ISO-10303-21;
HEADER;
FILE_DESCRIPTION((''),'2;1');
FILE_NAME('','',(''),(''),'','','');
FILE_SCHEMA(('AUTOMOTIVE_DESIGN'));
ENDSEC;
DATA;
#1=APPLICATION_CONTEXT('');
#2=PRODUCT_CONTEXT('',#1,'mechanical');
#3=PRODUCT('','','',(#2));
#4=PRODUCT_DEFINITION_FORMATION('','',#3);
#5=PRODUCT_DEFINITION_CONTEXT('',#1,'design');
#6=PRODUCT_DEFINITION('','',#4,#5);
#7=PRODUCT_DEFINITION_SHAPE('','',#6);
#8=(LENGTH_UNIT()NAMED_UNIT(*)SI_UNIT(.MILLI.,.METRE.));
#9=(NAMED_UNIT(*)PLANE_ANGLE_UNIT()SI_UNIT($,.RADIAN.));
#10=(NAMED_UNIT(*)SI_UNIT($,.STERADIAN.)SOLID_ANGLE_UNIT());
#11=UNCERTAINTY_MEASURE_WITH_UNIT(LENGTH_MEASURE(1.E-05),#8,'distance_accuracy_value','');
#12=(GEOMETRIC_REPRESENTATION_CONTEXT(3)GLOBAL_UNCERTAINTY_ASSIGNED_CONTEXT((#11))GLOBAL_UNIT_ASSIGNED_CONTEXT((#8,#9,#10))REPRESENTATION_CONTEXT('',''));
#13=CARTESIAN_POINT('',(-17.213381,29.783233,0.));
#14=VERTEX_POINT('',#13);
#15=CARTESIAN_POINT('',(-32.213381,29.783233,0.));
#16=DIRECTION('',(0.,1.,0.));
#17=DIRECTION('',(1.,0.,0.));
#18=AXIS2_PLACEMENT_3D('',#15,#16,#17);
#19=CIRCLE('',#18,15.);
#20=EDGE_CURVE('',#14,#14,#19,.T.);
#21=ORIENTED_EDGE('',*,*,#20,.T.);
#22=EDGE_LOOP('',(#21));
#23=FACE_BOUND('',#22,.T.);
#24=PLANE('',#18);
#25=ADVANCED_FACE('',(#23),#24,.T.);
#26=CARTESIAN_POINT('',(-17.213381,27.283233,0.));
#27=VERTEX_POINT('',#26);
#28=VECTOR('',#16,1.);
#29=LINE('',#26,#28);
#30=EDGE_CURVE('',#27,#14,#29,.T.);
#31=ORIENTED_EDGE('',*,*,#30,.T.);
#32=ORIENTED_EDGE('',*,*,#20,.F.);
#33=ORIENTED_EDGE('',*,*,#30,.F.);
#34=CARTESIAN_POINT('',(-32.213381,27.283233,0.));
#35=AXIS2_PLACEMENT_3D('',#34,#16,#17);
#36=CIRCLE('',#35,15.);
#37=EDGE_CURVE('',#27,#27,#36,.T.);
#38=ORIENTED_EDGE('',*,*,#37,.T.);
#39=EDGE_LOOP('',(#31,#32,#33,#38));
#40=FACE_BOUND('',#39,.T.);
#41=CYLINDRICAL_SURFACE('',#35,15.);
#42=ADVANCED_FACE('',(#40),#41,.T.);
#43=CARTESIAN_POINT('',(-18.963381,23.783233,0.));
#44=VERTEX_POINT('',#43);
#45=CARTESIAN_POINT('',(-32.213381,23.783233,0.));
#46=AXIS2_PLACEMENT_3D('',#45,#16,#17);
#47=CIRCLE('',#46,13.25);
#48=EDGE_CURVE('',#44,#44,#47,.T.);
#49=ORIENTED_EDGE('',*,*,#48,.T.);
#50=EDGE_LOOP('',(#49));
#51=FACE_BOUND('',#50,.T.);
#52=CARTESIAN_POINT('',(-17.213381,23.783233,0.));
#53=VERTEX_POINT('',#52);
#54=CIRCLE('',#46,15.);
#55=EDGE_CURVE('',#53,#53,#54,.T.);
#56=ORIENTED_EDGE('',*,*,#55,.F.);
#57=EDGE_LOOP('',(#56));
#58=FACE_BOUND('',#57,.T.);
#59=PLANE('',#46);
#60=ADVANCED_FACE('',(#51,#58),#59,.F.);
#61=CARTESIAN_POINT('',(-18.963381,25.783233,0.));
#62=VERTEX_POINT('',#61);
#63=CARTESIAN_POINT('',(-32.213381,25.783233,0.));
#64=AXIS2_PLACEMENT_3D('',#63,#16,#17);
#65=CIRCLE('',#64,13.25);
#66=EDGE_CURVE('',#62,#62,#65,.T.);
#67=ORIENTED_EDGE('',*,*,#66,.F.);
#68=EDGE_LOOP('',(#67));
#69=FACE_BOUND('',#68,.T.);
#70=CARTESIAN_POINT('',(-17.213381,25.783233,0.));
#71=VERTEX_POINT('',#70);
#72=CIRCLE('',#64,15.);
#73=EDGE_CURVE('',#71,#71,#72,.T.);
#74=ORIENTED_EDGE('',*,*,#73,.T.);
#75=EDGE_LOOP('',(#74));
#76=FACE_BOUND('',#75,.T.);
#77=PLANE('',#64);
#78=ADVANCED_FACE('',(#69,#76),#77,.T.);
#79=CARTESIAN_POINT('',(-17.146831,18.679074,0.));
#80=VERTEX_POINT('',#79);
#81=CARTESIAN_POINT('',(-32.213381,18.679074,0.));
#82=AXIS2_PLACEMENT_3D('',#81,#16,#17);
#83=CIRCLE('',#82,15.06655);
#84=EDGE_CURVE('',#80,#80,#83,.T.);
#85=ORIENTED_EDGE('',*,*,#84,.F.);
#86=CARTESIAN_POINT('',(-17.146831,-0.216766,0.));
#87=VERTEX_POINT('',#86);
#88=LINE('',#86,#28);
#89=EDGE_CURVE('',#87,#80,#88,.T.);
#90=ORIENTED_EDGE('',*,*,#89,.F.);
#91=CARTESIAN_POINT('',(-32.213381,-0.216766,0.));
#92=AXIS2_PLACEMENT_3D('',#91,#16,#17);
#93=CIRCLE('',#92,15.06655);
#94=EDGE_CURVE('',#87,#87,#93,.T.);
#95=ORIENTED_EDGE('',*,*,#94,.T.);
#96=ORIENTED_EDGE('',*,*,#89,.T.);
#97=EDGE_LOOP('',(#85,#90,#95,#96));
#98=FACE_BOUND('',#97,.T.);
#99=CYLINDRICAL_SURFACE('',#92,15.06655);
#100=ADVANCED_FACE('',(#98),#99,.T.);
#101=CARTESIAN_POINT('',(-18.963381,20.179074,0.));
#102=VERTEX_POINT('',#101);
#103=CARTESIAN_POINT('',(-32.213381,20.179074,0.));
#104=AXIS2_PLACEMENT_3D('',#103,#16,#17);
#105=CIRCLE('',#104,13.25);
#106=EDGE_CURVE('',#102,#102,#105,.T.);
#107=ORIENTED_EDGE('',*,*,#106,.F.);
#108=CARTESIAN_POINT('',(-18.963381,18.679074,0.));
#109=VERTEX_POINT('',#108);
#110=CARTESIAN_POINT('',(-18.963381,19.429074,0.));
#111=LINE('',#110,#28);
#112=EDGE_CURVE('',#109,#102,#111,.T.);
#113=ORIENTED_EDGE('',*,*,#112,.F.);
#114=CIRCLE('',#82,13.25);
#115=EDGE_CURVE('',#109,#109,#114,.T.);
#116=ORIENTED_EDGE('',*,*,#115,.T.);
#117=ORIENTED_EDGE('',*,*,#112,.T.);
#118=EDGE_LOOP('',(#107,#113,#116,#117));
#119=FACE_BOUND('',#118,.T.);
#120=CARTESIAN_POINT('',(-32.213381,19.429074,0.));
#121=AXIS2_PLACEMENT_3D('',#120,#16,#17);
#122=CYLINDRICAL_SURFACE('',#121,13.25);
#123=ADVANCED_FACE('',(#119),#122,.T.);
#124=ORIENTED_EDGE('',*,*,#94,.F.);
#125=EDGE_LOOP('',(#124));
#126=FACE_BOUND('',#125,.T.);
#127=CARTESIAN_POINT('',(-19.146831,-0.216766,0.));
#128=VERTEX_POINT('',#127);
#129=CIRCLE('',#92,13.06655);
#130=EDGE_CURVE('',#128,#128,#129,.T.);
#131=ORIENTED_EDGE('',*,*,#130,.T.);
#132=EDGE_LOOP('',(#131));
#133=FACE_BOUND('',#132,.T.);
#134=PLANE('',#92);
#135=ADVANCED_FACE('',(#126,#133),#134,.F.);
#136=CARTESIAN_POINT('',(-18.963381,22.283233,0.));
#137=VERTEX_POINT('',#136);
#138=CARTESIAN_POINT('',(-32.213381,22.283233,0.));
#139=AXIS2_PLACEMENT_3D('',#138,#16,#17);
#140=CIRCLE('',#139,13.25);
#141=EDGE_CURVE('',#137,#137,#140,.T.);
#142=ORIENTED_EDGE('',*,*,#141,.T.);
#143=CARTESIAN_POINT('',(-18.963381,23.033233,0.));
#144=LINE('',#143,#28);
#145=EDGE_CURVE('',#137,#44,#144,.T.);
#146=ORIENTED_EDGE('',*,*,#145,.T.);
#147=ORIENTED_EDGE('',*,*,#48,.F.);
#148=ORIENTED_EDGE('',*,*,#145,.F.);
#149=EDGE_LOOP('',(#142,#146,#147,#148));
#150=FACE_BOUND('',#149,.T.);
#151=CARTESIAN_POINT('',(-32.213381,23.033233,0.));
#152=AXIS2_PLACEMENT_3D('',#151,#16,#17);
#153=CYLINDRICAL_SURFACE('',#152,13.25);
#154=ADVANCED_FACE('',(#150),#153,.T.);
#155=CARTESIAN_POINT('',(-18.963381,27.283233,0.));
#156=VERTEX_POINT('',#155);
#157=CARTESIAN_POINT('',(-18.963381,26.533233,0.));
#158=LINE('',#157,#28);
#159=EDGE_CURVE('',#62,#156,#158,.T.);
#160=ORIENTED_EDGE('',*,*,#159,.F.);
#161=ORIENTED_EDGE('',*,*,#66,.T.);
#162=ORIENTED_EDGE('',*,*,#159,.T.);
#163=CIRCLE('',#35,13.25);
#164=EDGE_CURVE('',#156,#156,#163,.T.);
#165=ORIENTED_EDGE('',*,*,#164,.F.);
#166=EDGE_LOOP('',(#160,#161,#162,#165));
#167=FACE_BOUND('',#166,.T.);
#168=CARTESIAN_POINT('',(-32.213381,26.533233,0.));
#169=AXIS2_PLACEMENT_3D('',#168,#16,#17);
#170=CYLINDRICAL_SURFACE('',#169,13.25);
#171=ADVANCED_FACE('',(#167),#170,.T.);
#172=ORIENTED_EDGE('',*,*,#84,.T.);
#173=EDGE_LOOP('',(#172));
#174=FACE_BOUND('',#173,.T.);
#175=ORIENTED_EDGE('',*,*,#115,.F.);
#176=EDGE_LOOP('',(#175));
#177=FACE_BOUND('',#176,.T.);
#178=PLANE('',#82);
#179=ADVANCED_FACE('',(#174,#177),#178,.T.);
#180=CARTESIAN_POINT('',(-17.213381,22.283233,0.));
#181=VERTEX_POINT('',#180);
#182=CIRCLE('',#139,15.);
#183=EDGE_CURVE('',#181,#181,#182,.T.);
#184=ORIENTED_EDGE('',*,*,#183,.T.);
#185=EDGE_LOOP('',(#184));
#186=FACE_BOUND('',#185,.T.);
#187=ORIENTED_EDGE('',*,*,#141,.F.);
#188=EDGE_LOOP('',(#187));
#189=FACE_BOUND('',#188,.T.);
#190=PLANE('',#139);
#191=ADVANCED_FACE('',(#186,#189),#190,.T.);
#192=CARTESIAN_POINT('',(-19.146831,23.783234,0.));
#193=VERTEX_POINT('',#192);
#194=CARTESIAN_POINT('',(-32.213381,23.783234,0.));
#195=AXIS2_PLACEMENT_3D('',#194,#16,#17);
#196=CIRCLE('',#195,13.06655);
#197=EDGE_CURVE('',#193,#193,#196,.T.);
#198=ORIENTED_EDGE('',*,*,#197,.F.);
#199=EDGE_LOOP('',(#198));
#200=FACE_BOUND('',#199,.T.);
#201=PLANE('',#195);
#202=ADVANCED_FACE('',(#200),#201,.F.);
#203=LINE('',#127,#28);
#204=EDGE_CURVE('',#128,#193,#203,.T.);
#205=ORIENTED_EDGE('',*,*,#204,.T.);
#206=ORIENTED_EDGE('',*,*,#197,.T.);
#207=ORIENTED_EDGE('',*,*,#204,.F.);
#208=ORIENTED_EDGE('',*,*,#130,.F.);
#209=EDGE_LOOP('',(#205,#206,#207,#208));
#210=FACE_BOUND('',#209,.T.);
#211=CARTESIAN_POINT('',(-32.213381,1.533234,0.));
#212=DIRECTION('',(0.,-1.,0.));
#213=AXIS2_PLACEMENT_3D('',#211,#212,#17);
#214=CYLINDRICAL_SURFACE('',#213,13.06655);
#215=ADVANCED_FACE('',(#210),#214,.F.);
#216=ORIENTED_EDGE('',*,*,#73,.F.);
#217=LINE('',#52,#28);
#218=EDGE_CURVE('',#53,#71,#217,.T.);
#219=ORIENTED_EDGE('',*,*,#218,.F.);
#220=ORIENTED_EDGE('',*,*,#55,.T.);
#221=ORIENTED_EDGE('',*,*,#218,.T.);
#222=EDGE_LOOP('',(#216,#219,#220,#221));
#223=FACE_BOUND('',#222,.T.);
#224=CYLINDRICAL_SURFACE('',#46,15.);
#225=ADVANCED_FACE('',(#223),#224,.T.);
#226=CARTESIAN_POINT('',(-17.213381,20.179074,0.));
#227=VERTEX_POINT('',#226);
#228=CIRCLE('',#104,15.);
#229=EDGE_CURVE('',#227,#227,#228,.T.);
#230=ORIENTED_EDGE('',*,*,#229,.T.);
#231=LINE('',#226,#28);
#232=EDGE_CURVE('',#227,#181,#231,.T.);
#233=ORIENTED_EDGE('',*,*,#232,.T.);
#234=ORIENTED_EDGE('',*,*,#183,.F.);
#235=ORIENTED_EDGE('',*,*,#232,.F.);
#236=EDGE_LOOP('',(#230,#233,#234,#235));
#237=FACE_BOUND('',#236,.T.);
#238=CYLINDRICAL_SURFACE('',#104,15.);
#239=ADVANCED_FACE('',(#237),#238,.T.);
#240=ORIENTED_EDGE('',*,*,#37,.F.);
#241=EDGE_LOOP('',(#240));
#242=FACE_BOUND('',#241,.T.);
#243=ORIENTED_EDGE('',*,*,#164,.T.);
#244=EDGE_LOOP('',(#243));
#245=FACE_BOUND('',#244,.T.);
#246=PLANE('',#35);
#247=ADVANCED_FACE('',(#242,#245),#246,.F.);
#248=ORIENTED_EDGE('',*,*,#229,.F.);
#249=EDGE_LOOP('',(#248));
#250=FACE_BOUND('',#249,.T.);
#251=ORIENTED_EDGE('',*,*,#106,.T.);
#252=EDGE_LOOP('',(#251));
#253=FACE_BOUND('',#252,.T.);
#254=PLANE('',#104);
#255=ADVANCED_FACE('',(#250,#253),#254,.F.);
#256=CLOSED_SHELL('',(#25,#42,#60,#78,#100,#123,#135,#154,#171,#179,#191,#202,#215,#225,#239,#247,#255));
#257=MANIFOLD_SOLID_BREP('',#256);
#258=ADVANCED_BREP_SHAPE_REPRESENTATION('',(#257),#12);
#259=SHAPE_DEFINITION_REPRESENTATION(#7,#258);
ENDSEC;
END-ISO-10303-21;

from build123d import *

# Parameters (mm, degrees)
F0_W     = 13.25
F0_H     = 1.5
F2_DEPTH = 22.25


with BuildPart() as f1:
    # F0 (on Top) → F1 (revolve)
    with BuildSketch(Plane.XY):
        Polygon((-17.1468311846, 4.5190741712), (-17.1468311846, 16.6790741712), (-20.6468311846, 16.6790741712), (-20.6468311846, 17.3790741712), (-21.6468311846, 17.3790741712), (-21.6468311846, 16.6790741712), (-25.8468311846, 16.6790741712), (-32.2133810192, 16.6790741712), (-32.2133810192, 1.5332341712), (-19.1468311846, 1.5332341712), (-19.1468311846, -0.2167658288), (-17.1468311846, -0.2167658288), align=None)
        Polygon((-17.1468311846, 18.6790741712), (-18.9633810192, 18.6790741712), (-32.2133810192, 18.6790741712), (-32.2133810192, 16.6790741712), (-25.8468311846, 16.6790741712), (-21.6468311846, 16.6790741712), (-21.6468311846, 17.3790741712), (-20.6468311846, 17.3790741712), (-20.6468311846, 16.6790741712), (-17.1468311846, 16.6790741712), align=None)
        Polygon((-17.2133810192, 20.1790741712), (-17.2133810192, 22.2832329303), (-18.9633810192, 22.2832329303), (-32.2133810192, 22.2832329303), (-32.2133810192, 20.1790741712), (-18.9633810192, 20.1790741712), align=None)
        with Locations((-25.5883810192, 19.4290741712)):
            Rectangle(F0_W, F0_H)
        with Locations((-25.5883810192, 23.0332329303)):
            Rectangle(F0_W, F0_H)
        Polygon((-32.2133810192, 23.7832329303), (-18.9633810192, 23.7832329303), (-17.2133810192, 23.7832329303), (-17.2133810192, 25.7832329303), (-18.9633810192, 25.7832329303), (-32.2133810192, 25.7832329303), align=None)
        with Locations((-25.5883810192, 26.5332329303)):
            Rectangle(F0_W, F0_H)
        Polygon((-32.2133810192, 29.7832329303), (-32.2133810192, 27.2832329303), (-18.9633810192, 27.2832329303), (-17.2133810192, 27.2832329303), (-17.2133810192, 29.7832329303), align=None)
    revolve(axis=Axis((-32.2133810192, 15.6582335507, 0), (0, 1, 0)))

    # F2 (cut): a face of the model
    f2_faces = [f1.faces().sort_by_distance(p)[0] for p in [
        (-32.2133810192, 1.5332341712, 0),
    ]]
    extrude(f2_faces, amount=-F2_DEPTH, mode=Mode.SUBTRACT)


solid = f1.part
